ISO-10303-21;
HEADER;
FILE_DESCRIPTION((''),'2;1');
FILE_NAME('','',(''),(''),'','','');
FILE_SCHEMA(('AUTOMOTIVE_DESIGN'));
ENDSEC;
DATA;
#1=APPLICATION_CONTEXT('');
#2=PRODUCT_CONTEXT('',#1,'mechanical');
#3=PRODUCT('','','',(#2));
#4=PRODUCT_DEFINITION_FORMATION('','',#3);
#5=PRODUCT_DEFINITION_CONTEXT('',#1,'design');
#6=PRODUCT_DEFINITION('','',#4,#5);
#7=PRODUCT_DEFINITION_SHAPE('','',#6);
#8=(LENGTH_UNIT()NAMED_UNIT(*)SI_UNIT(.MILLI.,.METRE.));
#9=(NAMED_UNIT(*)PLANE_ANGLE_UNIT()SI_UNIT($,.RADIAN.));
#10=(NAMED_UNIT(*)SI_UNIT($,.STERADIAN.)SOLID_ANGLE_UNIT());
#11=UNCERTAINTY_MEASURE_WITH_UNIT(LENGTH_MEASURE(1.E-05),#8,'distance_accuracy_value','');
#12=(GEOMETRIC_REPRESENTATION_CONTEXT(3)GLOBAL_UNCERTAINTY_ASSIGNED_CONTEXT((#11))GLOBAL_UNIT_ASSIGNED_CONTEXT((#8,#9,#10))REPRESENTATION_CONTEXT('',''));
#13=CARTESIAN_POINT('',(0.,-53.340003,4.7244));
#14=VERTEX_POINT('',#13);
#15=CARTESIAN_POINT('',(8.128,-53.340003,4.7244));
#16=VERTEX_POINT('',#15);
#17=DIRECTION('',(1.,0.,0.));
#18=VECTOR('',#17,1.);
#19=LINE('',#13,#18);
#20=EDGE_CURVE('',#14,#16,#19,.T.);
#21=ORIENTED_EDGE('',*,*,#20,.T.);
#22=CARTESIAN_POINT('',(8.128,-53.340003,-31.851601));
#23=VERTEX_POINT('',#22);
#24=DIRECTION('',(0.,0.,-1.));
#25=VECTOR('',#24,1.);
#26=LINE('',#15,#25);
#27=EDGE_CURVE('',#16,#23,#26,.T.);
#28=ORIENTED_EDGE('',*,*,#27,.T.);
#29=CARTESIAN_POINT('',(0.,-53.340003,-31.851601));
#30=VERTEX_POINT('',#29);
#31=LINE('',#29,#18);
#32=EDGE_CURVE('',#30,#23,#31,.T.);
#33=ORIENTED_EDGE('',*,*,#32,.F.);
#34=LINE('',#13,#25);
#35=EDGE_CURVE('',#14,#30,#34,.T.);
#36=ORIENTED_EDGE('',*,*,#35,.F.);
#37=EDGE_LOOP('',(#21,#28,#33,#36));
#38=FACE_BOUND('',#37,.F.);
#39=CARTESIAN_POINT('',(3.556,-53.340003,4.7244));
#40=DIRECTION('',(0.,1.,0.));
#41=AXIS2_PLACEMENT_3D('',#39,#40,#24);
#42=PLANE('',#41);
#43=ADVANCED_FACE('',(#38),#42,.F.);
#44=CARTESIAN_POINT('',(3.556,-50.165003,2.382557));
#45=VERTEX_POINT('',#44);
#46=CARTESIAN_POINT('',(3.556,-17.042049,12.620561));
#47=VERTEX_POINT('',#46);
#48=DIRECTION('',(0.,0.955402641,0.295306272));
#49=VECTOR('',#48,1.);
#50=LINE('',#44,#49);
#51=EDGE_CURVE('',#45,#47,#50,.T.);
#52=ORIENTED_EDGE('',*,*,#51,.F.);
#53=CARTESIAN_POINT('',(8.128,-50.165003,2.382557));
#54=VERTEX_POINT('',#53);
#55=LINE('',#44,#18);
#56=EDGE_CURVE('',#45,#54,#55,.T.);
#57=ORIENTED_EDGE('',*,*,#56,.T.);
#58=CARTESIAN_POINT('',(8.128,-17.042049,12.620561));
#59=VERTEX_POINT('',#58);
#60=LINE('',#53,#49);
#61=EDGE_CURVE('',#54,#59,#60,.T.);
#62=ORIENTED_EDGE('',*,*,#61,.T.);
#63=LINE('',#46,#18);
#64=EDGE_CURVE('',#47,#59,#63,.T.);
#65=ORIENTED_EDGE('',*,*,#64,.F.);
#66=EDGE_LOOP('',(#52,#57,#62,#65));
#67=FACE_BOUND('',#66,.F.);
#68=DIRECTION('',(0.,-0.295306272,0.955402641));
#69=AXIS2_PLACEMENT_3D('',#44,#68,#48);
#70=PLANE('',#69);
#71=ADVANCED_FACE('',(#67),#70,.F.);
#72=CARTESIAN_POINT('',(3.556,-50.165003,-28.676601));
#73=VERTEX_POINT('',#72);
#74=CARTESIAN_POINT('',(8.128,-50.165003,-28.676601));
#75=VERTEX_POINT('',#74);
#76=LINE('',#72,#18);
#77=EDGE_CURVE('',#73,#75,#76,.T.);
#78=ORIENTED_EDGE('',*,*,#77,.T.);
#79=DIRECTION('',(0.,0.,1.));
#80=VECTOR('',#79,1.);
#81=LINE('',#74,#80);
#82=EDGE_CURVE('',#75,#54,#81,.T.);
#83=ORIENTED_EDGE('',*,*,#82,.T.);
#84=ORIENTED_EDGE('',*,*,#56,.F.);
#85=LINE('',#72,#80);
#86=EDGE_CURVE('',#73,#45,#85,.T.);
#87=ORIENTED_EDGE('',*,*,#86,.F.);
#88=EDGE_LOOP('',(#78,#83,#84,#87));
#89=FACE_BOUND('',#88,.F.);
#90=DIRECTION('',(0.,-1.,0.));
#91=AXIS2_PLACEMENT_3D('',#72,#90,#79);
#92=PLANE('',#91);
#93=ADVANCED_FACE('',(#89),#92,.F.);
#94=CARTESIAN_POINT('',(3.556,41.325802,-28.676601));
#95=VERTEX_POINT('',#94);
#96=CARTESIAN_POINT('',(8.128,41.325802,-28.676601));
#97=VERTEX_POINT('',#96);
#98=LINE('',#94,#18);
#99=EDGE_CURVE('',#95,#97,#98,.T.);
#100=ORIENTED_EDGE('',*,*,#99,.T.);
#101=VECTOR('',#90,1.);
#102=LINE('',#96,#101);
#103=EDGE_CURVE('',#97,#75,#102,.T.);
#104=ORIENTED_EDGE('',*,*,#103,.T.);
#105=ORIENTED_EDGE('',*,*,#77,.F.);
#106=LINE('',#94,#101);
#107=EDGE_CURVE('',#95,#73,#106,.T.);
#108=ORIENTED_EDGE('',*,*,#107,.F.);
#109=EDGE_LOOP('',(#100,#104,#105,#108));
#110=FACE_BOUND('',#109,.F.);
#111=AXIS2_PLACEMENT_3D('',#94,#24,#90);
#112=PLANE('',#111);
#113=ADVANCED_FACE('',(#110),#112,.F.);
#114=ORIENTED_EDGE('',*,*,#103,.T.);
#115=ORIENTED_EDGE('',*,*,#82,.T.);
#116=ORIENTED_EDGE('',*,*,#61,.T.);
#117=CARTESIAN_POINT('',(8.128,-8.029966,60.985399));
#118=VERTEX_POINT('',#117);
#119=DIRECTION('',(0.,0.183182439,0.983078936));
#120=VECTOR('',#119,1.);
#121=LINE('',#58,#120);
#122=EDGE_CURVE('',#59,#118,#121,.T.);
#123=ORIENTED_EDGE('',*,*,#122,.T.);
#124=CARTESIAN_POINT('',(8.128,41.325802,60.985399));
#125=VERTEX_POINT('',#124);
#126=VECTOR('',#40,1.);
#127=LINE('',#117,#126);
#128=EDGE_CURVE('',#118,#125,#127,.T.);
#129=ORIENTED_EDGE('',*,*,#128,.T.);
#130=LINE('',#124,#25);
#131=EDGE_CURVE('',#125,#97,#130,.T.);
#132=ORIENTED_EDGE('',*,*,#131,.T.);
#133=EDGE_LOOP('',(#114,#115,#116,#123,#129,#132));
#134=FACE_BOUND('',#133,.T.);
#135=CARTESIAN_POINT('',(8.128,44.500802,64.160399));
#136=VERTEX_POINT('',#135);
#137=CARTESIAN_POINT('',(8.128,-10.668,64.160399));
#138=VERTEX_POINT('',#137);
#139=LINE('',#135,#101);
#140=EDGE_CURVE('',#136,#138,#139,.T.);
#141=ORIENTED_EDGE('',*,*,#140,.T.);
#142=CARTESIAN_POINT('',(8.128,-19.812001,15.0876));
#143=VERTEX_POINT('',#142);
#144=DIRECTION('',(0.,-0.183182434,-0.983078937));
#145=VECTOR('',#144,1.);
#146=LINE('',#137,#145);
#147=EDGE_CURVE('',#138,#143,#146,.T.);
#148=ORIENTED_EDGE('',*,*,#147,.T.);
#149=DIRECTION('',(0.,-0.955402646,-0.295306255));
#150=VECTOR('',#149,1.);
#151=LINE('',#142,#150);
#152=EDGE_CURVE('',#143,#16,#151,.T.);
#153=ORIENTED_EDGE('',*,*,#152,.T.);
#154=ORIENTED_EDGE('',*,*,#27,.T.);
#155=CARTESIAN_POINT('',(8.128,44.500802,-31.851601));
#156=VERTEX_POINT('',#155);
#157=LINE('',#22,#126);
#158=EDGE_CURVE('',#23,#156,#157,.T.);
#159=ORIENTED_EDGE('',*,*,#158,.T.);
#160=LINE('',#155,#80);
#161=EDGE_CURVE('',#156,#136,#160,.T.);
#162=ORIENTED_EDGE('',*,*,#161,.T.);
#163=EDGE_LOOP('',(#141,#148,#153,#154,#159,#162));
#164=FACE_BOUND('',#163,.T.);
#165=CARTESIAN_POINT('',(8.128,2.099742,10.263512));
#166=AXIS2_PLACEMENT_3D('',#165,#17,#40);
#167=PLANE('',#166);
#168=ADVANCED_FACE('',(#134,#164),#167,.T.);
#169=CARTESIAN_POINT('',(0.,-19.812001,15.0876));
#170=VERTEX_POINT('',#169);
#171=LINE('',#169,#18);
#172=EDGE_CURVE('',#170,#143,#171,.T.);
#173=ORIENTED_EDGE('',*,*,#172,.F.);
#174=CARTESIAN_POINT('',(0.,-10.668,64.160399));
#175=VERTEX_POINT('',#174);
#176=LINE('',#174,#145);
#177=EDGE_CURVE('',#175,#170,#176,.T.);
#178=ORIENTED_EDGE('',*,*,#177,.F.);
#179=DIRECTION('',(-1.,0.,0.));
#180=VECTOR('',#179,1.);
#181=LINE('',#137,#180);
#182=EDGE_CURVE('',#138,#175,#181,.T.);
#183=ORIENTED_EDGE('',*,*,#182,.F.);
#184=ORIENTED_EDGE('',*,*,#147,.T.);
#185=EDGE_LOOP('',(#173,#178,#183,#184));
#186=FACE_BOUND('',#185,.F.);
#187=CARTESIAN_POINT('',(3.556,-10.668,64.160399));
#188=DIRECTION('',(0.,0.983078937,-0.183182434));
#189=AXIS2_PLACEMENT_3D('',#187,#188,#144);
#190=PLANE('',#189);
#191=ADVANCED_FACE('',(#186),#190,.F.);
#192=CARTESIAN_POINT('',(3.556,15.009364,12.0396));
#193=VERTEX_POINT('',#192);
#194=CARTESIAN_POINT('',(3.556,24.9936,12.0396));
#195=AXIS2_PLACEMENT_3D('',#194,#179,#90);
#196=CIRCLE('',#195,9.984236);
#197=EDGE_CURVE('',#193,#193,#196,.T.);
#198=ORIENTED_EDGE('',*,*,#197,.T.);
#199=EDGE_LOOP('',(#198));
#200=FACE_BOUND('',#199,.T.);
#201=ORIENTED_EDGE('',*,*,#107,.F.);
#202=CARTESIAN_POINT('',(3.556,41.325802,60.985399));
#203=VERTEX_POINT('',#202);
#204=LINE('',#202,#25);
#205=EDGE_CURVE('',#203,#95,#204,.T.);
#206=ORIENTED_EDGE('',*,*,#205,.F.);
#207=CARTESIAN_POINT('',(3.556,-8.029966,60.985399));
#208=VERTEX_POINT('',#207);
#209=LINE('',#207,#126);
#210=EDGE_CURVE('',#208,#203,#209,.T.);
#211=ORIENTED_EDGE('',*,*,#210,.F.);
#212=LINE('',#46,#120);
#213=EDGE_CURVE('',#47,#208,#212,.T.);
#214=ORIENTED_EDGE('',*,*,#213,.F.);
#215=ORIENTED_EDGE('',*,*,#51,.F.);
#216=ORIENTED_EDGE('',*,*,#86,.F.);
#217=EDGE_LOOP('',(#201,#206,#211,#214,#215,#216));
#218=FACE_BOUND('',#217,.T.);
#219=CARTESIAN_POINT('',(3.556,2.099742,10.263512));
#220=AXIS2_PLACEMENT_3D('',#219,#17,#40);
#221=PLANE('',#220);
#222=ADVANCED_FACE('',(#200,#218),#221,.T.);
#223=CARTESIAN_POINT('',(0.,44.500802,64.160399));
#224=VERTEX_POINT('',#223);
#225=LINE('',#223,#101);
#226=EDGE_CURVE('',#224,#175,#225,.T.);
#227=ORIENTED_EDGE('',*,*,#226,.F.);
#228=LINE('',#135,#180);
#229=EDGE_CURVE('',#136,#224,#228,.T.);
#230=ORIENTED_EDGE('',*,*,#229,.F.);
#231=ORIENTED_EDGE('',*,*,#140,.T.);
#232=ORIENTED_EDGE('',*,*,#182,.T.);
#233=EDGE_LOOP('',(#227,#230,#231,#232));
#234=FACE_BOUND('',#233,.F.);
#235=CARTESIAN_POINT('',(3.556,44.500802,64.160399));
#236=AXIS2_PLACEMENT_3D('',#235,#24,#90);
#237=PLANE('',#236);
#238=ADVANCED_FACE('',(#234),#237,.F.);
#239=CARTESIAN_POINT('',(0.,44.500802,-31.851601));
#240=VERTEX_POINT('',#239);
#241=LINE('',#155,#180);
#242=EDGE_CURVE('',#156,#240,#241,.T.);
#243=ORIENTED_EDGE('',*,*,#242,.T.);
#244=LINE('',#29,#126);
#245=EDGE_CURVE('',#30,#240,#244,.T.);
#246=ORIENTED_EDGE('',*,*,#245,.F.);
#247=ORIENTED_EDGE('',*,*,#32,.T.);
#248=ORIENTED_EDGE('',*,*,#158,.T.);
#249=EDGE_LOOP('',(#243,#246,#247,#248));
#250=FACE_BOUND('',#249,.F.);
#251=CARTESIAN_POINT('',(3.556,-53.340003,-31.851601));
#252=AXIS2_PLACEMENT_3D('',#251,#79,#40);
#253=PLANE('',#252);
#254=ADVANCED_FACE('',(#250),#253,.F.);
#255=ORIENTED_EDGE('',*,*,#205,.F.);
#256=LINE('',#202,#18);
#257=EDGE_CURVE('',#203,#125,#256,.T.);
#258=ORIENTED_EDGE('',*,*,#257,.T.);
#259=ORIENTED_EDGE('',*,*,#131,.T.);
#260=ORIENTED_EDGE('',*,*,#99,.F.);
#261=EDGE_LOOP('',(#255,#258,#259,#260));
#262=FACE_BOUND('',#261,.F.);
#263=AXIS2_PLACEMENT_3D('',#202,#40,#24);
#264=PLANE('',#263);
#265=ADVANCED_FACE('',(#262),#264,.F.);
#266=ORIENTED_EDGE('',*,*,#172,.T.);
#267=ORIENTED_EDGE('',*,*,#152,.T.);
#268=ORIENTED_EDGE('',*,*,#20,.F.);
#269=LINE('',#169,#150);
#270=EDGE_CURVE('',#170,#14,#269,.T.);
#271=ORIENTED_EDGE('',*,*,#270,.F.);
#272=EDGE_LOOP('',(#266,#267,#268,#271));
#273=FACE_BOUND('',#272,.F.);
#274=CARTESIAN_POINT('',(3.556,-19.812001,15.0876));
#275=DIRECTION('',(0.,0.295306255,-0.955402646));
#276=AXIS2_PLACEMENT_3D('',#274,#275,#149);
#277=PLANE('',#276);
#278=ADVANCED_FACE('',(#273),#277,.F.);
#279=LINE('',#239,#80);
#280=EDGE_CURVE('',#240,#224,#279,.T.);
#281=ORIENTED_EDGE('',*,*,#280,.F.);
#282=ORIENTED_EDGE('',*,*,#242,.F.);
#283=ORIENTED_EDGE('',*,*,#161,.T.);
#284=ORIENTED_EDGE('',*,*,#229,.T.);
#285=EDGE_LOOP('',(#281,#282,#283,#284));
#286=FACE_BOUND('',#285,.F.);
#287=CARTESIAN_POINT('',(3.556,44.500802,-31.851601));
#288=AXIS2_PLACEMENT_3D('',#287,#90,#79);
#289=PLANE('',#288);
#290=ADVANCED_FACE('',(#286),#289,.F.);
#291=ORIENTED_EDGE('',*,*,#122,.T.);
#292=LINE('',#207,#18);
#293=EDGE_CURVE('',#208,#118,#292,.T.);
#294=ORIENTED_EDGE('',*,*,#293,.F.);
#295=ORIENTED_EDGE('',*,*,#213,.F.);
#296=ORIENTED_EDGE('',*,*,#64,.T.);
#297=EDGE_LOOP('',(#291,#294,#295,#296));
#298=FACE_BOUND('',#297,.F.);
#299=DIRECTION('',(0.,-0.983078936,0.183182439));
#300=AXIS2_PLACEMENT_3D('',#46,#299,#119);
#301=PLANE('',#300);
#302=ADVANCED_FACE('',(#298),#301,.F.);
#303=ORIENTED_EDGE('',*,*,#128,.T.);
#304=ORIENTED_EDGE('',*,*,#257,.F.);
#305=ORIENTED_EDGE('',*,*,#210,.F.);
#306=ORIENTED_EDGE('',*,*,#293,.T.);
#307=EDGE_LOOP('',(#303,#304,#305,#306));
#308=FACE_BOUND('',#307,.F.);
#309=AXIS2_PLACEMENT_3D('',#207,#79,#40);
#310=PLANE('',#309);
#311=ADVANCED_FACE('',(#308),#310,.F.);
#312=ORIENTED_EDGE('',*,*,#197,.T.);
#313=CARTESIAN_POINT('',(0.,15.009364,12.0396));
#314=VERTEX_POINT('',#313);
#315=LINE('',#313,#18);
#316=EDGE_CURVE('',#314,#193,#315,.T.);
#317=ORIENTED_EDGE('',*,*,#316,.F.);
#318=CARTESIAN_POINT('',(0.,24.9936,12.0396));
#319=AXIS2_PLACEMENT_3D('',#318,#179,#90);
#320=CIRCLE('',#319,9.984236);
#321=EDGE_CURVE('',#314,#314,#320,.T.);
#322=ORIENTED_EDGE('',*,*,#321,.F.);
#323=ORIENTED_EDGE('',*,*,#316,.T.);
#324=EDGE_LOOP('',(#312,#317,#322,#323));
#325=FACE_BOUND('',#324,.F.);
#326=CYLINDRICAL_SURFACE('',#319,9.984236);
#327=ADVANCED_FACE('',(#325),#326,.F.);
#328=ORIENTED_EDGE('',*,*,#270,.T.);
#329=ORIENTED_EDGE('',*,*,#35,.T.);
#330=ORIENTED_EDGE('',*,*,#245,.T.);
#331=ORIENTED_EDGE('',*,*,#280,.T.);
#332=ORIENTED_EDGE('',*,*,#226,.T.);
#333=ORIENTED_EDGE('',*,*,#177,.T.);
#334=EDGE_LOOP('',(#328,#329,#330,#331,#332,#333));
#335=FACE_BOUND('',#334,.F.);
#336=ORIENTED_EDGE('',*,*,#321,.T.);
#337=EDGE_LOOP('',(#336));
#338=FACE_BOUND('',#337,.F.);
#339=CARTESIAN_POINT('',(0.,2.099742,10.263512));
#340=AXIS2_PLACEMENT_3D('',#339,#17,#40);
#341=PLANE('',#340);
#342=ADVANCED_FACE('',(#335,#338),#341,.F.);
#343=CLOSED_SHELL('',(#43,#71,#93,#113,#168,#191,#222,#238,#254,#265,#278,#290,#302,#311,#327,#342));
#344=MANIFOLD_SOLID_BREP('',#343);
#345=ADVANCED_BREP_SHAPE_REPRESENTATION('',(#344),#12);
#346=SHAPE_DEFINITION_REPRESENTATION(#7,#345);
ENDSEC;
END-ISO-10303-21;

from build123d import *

# Parameters (mm, degrees)
F1_DEPTH = 3.556
F3_DEPTH = 4.572
F4_R     = 9.984236
F5_DEPTH = 25.4


with BuildPart() as f1:
    # F0 (on Right) → F1 (new body)
    with BuildSketch(Plane.YZ):
        Polygon((44.500802, -31.851601), (44.500802, 64.160399), (-10.668, 64.160399), (-19.812001, 15.0876), (-53.340003, 4.7244), (-53.340003, -31.851601), align=None)
    extrude(amount=F1_DEPTH)

    # F2 (on face) → F3 (join)
    with BuildSketch(Plane.YZ.offset(3.556)):
        Polygon((-10.668, 64.160399), (-19.812001, 15.0876), (-53.340003, 4.7244), (-53.340003, -31.851601), (44.500802, -31.851601), (44.500802, 64.160399), align=None)
        Polygon((-8.029966, 60.985399), (41.325802, 60.985399), (41.325802, -28.676601), (-50.165003, -28.676601), (-50.165003, 2.382557), (-17.042049, 12.620561), align=None, mode=Mode.SUBTRACT)
    extrude(amount=F3_DEPTH)

    # F4 (on face) → F5 (cut)
    with BuildSketch(Plane(origin=(0, 0, 0), x_dir=(0, -1, 0), z_dir=(-1, 0, 0))):
        with Locations((-24.9936, 12.0396)):
            Circle(F4_R)
    extrude(amount=-F5_DEPTH, mode=Mode.SUBTRACT)


solid = f1.part
